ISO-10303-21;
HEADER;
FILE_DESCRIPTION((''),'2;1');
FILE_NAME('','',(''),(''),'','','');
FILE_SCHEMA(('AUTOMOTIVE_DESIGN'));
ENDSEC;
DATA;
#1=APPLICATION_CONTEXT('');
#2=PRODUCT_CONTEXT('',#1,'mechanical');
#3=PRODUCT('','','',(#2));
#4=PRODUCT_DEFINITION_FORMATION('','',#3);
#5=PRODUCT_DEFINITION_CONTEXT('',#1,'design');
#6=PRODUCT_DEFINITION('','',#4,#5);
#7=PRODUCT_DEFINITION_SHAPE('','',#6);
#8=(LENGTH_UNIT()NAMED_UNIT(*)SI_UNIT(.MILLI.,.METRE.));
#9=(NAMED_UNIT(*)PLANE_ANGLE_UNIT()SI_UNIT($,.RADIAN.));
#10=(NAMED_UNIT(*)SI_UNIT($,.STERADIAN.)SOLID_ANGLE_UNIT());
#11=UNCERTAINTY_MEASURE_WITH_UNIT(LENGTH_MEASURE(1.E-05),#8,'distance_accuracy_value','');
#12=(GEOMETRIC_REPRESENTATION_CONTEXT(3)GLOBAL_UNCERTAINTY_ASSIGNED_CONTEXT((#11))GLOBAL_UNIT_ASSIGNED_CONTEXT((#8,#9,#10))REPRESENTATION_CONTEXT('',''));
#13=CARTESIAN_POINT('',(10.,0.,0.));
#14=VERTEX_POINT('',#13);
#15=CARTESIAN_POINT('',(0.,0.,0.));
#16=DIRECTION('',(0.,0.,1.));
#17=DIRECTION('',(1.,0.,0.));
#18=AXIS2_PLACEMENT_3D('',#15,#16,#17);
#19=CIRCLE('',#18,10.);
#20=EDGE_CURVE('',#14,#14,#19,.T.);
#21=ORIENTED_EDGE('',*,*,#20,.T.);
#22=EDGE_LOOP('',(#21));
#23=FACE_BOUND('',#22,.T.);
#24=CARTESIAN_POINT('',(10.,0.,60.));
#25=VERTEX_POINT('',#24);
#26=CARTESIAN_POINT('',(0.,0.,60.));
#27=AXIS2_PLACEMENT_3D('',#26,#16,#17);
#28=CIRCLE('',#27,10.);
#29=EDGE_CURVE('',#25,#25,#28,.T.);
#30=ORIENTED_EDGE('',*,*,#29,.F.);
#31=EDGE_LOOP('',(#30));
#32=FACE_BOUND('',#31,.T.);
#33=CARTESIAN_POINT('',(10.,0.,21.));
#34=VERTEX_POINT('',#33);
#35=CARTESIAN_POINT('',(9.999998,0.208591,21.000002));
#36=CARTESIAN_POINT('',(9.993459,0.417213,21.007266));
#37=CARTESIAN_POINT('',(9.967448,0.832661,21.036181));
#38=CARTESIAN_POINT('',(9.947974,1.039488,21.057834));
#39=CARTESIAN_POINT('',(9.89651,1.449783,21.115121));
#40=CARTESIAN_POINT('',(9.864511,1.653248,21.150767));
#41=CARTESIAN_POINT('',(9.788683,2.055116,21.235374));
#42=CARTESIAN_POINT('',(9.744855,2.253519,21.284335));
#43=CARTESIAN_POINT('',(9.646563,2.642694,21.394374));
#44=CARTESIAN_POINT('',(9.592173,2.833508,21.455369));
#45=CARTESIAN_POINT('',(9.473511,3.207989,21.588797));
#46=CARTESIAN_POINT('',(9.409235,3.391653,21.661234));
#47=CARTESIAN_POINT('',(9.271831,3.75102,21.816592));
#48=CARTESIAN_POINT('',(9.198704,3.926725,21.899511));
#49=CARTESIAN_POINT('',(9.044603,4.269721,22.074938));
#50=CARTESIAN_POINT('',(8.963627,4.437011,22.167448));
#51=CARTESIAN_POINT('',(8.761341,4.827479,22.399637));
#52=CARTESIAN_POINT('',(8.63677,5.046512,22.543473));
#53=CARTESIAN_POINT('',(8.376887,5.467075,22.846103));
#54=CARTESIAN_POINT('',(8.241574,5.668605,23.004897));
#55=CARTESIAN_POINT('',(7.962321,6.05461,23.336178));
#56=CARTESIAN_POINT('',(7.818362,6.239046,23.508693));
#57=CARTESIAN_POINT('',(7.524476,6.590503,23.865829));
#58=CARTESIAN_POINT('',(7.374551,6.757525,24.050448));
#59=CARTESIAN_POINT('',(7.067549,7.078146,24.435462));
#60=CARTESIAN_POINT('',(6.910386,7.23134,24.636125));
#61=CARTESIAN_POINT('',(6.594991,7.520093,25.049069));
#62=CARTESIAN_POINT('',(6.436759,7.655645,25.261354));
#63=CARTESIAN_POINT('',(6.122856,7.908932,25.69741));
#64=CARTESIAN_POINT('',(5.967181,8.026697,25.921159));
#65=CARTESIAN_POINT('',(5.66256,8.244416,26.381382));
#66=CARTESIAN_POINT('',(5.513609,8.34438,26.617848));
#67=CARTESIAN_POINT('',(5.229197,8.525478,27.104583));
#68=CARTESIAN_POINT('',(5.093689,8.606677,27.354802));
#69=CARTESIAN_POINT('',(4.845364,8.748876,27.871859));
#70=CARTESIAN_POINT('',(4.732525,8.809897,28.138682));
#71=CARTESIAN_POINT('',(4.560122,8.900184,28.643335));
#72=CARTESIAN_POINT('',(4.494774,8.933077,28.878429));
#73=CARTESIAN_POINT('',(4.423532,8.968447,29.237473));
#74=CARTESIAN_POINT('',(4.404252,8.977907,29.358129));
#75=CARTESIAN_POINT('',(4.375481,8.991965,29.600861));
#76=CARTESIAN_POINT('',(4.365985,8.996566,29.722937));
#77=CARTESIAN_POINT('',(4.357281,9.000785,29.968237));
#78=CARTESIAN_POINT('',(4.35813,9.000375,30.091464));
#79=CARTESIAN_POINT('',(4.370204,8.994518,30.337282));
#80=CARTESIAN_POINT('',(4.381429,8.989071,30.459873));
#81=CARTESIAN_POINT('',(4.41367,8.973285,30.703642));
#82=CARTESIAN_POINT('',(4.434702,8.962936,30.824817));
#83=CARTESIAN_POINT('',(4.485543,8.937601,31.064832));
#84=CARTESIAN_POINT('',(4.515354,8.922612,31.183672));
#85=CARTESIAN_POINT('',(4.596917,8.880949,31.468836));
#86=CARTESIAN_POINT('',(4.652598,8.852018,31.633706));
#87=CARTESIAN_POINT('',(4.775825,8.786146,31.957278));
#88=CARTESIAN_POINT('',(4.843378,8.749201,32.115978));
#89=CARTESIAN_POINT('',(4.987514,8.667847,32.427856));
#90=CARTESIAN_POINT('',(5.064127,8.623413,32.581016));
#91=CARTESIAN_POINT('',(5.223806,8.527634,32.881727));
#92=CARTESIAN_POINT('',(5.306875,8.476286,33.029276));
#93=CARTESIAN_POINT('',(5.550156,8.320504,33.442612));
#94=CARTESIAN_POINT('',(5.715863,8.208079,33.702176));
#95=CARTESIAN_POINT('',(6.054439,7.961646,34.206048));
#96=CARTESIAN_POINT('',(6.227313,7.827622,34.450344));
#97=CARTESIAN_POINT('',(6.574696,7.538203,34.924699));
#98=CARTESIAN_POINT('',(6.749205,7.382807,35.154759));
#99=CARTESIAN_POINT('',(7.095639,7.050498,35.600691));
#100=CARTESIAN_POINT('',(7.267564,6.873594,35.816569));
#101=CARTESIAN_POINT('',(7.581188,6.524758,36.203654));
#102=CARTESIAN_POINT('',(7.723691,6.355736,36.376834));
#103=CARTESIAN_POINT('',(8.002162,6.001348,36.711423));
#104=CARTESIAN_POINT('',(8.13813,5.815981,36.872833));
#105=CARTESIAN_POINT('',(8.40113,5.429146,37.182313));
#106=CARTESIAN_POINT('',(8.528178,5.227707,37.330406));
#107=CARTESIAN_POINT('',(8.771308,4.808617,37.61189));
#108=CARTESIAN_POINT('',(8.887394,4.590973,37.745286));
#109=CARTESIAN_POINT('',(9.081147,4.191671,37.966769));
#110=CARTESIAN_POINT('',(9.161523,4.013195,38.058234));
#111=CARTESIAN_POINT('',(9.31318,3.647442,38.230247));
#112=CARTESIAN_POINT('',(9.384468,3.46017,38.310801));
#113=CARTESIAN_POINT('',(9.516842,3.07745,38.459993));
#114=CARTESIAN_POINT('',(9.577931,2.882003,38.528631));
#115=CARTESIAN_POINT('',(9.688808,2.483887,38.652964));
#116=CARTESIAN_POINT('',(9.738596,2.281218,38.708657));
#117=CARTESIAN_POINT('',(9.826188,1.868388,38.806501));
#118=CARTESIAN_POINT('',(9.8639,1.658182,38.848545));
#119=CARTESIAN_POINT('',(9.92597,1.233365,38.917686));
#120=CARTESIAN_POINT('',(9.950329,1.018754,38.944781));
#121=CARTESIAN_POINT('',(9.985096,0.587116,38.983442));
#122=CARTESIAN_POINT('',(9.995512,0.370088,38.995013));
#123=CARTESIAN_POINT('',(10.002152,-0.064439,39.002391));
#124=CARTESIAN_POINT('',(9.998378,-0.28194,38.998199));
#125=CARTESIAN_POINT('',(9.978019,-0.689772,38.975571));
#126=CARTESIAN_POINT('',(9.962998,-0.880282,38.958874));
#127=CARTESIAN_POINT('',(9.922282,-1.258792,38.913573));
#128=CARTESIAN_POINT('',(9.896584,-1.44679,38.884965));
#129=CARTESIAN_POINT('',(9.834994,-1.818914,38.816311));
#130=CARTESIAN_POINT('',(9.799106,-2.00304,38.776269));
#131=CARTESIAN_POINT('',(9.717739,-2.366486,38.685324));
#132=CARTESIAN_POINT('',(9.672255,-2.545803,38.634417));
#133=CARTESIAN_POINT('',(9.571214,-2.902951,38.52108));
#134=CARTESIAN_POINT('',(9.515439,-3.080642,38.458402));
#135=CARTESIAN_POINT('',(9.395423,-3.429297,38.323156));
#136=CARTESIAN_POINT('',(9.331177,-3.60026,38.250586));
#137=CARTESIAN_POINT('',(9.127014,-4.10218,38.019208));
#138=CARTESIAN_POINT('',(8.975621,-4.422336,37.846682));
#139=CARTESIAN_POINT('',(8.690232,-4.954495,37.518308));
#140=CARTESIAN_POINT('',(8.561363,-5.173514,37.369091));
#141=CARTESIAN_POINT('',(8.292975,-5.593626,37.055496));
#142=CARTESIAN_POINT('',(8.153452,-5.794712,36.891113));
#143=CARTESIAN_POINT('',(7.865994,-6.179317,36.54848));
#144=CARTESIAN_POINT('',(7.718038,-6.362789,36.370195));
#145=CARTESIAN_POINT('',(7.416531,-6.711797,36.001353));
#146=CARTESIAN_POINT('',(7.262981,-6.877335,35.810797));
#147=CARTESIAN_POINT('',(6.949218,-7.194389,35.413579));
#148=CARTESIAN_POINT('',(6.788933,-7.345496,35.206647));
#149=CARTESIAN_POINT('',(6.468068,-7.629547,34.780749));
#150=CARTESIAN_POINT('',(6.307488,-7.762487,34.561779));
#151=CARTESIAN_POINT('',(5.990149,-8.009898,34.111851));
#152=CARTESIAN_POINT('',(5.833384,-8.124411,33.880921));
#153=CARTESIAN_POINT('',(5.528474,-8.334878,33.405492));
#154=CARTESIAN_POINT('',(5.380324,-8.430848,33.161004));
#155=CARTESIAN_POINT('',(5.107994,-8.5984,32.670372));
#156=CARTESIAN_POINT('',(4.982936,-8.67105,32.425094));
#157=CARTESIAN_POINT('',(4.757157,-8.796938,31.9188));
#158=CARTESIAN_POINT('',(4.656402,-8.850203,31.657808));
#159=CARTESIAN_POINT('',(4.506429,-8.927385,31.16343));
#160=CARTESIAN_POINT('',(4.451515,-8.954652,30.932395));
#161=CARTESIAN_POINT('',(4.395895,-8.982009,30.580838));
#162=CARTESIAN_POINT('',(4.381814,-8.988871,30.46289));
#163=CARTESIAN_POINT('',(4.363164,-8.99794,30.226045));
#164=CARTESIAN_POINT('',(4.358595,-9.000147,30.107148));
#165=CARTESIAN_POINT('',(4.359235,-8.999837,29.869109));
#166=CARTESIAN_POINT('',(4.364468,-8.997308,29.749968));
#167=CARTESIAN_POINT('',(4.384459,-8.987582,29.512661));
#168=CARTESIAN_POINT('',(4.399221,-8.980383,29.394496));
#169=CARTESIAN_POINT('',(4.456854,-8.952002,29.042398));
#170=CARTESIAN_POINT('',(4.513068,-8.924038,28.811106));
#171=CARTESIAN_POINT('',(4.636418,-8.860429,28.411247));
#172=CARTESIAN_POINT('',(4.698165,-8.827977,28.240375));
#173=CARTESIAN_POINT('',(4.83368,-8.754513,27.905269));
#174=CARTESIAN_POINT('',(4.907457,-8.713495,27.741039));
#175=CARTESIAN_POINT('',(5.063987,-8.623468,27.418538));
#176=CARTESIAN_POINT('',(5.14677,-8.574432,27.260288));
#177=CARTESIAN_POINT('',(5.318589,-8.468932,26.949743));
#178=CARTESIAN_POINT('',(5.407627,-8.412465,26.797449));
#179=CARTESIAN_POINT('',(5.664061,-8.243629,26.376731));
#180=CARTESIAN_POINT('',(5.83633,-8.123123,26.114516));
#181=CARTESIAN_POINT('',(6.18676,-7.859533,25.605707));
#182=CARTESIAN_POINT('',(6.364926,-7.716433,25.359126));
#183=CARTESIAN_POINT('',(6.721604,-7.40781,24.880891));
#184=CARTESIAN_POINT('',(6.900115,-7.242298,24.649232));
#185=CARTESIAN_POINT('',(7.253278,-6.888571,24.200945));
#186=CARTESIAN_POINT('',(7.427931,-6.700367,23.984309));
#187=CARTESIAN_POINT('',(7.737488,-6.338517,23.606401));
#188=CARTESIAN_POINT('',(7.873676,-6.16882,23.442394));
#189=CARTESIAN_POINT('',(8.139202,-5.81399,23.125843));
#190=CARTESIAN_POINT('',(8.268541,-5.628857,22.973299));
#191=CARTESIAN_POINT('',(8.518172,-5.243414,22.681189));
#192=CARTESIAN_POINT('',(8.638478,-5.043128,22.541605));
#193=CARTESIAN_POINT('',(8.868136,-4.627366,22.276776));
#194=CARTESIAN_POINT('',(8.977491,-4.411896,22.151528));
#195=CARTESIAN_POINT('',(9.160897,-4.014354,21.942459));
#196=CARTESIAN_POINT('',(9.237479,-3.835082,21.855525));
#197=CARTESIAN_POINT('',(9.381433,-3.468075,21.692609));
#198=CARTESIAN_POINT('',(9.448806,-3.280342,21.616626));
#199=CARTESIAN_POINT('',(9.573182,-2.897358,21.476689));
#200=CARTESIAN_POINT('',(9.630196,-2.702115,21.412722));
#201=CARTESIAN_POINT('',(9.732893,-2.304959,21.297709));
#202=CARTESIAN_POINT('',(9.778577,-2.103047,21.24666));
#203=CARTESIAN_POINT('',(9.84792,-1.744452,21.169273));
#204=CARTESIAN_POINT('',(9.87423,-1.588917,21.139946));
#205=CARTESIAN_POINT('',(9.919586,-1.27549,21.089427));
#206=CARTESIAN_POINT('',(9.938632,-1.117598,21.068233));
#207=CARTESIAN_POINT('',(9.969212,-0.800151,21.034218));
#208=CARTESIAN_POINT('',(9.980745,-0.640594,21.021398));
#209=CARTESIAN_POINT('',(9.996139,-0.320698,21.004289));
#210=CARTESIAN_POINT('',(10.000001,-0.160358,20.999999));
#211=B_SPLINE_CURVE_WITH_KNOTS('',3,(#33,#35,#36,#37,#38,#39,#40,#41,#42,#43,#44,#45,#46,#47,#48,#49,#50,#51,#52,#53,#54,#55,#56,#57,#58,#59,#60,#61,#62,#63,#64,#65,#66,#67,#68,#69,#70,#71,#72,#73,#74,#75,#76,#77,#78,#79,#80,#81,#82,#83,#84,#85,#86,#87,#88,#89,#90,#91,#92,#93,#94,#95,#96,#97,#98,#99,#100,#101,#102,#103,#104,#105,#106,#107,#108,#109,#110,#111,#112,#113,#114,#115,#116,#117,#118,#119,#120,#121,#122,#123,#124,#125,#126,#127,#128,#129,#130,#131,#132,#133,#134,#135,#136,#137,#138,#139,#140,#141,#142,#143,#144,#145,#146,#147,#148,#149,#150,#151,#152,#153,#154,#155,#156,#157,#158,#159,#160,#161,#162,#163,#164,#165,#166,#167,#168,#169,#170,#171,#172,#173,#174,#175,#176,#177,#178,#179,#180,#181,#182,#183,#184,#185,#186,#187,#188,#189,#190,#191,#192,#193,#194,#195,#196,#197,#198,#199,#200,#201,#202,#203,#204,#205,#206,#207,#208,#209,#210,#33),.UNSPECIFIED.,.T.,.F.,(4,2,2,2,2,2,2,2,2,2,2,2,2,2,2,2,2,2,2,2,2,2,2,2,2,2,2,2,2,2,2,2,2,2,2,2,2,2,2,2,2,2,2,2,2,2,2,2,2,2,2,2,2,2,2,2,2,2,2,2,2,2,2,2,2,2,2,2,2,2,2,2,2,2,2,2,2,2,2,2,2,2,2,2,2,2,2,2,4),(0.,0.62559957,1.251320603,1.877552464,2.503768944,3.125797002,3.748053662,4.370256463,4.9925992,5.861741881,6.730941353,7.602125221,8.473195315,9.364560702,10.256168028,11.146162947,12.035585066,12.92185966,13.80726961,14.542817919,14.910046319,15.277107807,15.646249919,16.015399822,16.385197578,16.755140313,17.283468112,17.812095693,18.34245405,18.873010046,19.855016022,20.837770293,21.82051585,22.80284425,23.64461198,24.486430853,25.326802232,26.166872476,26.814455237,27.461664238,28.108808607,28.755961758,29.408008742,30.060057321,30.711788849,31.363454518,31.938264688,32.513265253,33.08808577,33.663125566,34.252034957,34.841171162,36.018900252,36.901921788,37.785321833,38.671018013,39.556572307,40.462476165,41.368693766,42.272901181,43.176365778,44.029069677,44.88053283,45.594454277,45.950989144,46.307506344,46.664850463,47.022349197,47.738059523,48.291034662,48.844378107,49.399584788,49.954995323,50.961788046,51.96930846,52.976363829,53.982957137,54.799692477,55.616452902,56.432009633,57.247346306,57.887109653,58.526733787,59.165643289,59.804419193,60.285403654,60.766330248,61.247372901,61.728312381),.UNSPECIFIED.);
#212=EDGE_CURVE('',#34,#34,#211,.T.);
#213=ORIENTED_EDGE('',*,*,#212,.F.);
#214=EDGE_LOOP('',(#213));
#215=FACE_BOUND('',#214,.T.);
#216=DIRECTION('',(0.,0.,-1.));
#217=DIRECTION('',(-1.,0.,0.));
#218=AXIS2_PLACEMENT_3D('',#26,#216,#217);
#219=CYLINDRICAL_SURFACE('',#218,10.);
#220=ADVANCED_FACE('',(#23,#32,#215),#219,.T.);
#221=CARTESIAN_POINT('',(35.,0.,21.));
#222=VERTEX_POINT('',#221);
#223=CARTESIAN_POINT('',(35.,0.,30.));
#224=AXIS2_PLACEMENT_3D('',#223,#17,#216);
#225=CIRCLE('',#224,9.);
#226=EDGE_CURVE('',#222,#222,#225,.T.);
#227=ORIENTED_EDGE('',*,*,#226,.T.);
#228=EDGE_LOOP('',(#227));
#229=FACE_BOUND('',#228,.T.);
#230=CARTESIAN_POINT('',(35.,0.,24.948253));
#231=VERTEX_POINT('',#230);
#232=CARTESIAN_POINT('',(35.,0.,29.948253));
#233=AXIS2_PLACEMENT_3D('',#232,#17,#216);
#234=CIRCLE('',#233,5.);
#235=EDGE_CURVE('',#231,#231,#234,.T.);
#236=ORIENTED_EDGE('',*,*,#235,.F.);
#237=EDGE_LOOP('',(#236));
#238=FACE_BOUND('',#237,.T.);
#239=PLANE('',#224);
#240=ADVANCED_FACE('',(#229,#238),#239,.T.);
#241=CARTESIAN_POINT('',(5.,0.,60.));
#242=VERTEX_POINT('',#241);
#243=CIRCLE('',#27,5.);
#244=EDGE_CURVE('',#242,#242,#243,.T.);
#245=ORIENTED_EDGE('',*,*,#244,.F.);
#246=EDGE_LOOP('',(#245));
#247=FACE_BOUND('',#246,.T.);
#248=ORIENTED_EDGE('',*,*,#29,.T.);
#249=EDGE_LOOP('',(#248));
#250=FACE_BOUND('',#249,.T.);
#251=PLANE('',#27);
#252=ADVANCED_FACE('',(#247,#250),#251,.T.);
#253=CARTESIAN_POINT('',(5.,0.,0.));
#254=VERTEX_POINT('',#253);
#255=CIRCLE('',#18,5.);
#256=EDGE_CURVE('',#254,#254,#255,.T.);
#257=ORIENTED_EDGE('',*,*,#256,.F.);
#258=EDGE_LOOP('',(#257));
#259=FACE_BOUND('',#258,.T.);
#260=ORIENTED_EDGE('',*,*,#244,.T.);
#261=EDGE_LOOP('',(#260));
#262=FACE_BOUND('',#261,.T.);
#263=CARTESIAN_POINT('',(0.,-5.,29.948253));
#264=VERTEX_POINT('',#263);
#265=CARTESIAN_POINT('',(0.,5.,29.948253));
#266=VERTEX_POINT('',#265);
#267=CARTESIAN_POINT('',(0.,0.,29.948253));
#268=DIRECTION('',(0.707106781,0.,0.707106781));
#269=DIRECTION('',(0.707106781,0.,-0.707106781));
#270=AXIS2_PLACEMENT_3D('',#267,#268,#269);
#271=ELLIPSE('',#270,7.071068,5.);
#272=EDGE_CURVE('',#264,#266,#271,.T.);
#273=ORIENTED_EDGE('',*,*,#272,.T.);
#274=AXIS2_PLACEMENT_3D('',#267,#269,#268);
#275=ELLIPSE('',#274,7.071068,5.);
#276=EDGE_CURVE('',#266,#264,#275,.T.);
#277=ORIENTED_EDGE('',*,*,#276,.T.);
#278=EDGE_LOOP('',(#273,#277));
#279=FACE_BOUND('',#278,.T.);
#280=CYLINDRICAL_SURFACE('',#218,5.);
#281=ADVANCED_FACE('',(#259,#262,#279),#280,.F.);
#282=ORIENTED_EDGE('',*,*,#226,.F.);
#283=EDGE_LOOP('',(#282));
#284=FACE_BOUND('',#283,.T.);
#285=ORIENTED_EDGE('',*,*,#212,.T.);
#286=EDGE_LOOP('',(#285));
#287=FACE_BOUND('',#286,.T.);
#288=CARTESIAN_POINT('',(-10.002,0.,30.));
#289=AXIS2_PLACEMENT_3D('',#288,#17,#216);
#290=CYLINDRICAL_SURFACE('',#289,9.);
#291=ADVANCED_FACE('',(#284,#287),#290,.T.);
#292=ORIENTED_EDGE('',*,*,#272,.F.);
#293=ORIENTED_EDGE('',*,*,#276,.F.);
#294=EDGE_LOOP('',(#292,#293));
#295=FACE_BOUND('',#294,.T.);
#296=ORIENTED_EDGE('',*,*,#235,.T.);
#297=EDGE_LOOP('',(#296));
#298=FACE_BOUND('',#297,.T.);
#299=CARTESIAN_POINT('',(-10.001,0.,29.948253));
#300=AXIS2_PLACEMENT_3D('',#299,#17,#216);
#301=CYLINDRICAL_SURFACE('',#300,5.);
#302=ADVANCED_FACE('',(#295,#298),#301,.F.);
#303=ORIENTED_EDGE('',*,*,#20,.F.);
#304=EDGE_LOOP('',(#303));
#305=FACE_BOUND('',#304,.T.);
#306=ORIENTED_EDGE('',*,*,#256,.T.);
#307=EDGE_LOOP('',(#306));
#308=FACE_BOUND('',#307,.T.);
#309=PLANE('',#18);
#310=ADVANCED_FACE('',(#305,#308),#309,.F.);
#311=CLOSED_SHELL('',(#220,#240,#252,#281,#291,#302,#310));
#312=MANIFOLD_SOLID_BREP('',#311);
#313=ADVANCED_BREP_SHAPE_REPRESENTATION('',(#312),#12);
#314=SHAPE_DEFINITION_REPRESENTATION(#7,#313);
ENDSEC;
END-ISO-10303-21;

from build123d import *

# Parameters (mm, degrees)
SKETCH1_R                = 10
SKETCH1_R_2              = 5
EXTRUDE_THIN1_DEPTH      = 60
BOSS_EXTRUDE2_REACH      = 77.664
BOSS_EXTRUDE2_END_RADIUS = 10
SKETCH2_R                = 9
CUT_EXTRUDE1_REACH       = 77.664
CUT_EXTRUDE1_END_RADIUS  = 5
SKETCH3_R                = 5


with BuildPart() as part:
    # Sketch1 → Extrude-Thin1 (new body)
    with BuildSketch(Plane.XY):
        Circle(SKETCH1_R)
        Circle(SKETCH1_R_2, mode=Mode.SUBTRACT)
    extrude(amount=EXTRUDE_THIN1_DEPTH)

    # Boss-Extrude2: up to this cylinder (the profile starts outside it)
    boss_extrude2_end = Plane(origin=(0, 0, 30), z_dir=(0, 0, -1)) * Cylinder(BOSS_EXTRUDE2_END_RADIUS, 176.328, mode=Mode.PRIVATE)
    # Sketch2 → Boss-Extrude2 (add, up to the surface)
    with BuildSketch(Plane(origin=(35, 0, 0), x_dir=(0, 0, -1), z_dir=(1, 0, 0)), mode=Mode.PRIVATE) as boss_extrude2_sk1:
        with Locations((-30, 0)):
            Circle(SKETCH2_R)
    boss_extrude2_tool1 = extrude(boss_extrude2_sk1.sketch, amount=-BOSS_EXTRUDE2_REACH, mode=Mode.PRIVATE) - boss_extrude2_end
    add(boss_extrude2_tool1.solids().sort_by_distance((35, 0, 30))[0])

    # Cut-Extrude1: up to this cylinder (the profile starts outside it)
    cut_extrude1_end = Plane(origin=(0, 0, 29.948253), z_dir=(0, 0, -1)) * Cylinder(CUT_EXTRUDE1_END_RADIUS, 166.328, mode=Mode.PRIVATE)
    # Sketch3 → Cut-Extrude1 (cut, up to the surface)
    with BuildSketch(Plane(origin=(35, 0, 0), x_dir=(0, 0, -1), z_dir=(1, 0, 0)), mode=Mode.PRIVATE) as cut_extrude1_sk1:
        with Locations((-29.948253287, 0)):
            Circle(SKETCH3_R)
    cut_extrude1_tool1 = extrude(cut_extrude1_sk1.sketch, amount=-CUT_EXTRUDE1_REACH, mode=Mode.PRIVATE) - cut_extrude1_end
    add(cut_extrude1_tool1.solids().sort_by_distance((35, 0, 29.948253))[0], mode=Mode.SUBTRACT)


solid = part.part
